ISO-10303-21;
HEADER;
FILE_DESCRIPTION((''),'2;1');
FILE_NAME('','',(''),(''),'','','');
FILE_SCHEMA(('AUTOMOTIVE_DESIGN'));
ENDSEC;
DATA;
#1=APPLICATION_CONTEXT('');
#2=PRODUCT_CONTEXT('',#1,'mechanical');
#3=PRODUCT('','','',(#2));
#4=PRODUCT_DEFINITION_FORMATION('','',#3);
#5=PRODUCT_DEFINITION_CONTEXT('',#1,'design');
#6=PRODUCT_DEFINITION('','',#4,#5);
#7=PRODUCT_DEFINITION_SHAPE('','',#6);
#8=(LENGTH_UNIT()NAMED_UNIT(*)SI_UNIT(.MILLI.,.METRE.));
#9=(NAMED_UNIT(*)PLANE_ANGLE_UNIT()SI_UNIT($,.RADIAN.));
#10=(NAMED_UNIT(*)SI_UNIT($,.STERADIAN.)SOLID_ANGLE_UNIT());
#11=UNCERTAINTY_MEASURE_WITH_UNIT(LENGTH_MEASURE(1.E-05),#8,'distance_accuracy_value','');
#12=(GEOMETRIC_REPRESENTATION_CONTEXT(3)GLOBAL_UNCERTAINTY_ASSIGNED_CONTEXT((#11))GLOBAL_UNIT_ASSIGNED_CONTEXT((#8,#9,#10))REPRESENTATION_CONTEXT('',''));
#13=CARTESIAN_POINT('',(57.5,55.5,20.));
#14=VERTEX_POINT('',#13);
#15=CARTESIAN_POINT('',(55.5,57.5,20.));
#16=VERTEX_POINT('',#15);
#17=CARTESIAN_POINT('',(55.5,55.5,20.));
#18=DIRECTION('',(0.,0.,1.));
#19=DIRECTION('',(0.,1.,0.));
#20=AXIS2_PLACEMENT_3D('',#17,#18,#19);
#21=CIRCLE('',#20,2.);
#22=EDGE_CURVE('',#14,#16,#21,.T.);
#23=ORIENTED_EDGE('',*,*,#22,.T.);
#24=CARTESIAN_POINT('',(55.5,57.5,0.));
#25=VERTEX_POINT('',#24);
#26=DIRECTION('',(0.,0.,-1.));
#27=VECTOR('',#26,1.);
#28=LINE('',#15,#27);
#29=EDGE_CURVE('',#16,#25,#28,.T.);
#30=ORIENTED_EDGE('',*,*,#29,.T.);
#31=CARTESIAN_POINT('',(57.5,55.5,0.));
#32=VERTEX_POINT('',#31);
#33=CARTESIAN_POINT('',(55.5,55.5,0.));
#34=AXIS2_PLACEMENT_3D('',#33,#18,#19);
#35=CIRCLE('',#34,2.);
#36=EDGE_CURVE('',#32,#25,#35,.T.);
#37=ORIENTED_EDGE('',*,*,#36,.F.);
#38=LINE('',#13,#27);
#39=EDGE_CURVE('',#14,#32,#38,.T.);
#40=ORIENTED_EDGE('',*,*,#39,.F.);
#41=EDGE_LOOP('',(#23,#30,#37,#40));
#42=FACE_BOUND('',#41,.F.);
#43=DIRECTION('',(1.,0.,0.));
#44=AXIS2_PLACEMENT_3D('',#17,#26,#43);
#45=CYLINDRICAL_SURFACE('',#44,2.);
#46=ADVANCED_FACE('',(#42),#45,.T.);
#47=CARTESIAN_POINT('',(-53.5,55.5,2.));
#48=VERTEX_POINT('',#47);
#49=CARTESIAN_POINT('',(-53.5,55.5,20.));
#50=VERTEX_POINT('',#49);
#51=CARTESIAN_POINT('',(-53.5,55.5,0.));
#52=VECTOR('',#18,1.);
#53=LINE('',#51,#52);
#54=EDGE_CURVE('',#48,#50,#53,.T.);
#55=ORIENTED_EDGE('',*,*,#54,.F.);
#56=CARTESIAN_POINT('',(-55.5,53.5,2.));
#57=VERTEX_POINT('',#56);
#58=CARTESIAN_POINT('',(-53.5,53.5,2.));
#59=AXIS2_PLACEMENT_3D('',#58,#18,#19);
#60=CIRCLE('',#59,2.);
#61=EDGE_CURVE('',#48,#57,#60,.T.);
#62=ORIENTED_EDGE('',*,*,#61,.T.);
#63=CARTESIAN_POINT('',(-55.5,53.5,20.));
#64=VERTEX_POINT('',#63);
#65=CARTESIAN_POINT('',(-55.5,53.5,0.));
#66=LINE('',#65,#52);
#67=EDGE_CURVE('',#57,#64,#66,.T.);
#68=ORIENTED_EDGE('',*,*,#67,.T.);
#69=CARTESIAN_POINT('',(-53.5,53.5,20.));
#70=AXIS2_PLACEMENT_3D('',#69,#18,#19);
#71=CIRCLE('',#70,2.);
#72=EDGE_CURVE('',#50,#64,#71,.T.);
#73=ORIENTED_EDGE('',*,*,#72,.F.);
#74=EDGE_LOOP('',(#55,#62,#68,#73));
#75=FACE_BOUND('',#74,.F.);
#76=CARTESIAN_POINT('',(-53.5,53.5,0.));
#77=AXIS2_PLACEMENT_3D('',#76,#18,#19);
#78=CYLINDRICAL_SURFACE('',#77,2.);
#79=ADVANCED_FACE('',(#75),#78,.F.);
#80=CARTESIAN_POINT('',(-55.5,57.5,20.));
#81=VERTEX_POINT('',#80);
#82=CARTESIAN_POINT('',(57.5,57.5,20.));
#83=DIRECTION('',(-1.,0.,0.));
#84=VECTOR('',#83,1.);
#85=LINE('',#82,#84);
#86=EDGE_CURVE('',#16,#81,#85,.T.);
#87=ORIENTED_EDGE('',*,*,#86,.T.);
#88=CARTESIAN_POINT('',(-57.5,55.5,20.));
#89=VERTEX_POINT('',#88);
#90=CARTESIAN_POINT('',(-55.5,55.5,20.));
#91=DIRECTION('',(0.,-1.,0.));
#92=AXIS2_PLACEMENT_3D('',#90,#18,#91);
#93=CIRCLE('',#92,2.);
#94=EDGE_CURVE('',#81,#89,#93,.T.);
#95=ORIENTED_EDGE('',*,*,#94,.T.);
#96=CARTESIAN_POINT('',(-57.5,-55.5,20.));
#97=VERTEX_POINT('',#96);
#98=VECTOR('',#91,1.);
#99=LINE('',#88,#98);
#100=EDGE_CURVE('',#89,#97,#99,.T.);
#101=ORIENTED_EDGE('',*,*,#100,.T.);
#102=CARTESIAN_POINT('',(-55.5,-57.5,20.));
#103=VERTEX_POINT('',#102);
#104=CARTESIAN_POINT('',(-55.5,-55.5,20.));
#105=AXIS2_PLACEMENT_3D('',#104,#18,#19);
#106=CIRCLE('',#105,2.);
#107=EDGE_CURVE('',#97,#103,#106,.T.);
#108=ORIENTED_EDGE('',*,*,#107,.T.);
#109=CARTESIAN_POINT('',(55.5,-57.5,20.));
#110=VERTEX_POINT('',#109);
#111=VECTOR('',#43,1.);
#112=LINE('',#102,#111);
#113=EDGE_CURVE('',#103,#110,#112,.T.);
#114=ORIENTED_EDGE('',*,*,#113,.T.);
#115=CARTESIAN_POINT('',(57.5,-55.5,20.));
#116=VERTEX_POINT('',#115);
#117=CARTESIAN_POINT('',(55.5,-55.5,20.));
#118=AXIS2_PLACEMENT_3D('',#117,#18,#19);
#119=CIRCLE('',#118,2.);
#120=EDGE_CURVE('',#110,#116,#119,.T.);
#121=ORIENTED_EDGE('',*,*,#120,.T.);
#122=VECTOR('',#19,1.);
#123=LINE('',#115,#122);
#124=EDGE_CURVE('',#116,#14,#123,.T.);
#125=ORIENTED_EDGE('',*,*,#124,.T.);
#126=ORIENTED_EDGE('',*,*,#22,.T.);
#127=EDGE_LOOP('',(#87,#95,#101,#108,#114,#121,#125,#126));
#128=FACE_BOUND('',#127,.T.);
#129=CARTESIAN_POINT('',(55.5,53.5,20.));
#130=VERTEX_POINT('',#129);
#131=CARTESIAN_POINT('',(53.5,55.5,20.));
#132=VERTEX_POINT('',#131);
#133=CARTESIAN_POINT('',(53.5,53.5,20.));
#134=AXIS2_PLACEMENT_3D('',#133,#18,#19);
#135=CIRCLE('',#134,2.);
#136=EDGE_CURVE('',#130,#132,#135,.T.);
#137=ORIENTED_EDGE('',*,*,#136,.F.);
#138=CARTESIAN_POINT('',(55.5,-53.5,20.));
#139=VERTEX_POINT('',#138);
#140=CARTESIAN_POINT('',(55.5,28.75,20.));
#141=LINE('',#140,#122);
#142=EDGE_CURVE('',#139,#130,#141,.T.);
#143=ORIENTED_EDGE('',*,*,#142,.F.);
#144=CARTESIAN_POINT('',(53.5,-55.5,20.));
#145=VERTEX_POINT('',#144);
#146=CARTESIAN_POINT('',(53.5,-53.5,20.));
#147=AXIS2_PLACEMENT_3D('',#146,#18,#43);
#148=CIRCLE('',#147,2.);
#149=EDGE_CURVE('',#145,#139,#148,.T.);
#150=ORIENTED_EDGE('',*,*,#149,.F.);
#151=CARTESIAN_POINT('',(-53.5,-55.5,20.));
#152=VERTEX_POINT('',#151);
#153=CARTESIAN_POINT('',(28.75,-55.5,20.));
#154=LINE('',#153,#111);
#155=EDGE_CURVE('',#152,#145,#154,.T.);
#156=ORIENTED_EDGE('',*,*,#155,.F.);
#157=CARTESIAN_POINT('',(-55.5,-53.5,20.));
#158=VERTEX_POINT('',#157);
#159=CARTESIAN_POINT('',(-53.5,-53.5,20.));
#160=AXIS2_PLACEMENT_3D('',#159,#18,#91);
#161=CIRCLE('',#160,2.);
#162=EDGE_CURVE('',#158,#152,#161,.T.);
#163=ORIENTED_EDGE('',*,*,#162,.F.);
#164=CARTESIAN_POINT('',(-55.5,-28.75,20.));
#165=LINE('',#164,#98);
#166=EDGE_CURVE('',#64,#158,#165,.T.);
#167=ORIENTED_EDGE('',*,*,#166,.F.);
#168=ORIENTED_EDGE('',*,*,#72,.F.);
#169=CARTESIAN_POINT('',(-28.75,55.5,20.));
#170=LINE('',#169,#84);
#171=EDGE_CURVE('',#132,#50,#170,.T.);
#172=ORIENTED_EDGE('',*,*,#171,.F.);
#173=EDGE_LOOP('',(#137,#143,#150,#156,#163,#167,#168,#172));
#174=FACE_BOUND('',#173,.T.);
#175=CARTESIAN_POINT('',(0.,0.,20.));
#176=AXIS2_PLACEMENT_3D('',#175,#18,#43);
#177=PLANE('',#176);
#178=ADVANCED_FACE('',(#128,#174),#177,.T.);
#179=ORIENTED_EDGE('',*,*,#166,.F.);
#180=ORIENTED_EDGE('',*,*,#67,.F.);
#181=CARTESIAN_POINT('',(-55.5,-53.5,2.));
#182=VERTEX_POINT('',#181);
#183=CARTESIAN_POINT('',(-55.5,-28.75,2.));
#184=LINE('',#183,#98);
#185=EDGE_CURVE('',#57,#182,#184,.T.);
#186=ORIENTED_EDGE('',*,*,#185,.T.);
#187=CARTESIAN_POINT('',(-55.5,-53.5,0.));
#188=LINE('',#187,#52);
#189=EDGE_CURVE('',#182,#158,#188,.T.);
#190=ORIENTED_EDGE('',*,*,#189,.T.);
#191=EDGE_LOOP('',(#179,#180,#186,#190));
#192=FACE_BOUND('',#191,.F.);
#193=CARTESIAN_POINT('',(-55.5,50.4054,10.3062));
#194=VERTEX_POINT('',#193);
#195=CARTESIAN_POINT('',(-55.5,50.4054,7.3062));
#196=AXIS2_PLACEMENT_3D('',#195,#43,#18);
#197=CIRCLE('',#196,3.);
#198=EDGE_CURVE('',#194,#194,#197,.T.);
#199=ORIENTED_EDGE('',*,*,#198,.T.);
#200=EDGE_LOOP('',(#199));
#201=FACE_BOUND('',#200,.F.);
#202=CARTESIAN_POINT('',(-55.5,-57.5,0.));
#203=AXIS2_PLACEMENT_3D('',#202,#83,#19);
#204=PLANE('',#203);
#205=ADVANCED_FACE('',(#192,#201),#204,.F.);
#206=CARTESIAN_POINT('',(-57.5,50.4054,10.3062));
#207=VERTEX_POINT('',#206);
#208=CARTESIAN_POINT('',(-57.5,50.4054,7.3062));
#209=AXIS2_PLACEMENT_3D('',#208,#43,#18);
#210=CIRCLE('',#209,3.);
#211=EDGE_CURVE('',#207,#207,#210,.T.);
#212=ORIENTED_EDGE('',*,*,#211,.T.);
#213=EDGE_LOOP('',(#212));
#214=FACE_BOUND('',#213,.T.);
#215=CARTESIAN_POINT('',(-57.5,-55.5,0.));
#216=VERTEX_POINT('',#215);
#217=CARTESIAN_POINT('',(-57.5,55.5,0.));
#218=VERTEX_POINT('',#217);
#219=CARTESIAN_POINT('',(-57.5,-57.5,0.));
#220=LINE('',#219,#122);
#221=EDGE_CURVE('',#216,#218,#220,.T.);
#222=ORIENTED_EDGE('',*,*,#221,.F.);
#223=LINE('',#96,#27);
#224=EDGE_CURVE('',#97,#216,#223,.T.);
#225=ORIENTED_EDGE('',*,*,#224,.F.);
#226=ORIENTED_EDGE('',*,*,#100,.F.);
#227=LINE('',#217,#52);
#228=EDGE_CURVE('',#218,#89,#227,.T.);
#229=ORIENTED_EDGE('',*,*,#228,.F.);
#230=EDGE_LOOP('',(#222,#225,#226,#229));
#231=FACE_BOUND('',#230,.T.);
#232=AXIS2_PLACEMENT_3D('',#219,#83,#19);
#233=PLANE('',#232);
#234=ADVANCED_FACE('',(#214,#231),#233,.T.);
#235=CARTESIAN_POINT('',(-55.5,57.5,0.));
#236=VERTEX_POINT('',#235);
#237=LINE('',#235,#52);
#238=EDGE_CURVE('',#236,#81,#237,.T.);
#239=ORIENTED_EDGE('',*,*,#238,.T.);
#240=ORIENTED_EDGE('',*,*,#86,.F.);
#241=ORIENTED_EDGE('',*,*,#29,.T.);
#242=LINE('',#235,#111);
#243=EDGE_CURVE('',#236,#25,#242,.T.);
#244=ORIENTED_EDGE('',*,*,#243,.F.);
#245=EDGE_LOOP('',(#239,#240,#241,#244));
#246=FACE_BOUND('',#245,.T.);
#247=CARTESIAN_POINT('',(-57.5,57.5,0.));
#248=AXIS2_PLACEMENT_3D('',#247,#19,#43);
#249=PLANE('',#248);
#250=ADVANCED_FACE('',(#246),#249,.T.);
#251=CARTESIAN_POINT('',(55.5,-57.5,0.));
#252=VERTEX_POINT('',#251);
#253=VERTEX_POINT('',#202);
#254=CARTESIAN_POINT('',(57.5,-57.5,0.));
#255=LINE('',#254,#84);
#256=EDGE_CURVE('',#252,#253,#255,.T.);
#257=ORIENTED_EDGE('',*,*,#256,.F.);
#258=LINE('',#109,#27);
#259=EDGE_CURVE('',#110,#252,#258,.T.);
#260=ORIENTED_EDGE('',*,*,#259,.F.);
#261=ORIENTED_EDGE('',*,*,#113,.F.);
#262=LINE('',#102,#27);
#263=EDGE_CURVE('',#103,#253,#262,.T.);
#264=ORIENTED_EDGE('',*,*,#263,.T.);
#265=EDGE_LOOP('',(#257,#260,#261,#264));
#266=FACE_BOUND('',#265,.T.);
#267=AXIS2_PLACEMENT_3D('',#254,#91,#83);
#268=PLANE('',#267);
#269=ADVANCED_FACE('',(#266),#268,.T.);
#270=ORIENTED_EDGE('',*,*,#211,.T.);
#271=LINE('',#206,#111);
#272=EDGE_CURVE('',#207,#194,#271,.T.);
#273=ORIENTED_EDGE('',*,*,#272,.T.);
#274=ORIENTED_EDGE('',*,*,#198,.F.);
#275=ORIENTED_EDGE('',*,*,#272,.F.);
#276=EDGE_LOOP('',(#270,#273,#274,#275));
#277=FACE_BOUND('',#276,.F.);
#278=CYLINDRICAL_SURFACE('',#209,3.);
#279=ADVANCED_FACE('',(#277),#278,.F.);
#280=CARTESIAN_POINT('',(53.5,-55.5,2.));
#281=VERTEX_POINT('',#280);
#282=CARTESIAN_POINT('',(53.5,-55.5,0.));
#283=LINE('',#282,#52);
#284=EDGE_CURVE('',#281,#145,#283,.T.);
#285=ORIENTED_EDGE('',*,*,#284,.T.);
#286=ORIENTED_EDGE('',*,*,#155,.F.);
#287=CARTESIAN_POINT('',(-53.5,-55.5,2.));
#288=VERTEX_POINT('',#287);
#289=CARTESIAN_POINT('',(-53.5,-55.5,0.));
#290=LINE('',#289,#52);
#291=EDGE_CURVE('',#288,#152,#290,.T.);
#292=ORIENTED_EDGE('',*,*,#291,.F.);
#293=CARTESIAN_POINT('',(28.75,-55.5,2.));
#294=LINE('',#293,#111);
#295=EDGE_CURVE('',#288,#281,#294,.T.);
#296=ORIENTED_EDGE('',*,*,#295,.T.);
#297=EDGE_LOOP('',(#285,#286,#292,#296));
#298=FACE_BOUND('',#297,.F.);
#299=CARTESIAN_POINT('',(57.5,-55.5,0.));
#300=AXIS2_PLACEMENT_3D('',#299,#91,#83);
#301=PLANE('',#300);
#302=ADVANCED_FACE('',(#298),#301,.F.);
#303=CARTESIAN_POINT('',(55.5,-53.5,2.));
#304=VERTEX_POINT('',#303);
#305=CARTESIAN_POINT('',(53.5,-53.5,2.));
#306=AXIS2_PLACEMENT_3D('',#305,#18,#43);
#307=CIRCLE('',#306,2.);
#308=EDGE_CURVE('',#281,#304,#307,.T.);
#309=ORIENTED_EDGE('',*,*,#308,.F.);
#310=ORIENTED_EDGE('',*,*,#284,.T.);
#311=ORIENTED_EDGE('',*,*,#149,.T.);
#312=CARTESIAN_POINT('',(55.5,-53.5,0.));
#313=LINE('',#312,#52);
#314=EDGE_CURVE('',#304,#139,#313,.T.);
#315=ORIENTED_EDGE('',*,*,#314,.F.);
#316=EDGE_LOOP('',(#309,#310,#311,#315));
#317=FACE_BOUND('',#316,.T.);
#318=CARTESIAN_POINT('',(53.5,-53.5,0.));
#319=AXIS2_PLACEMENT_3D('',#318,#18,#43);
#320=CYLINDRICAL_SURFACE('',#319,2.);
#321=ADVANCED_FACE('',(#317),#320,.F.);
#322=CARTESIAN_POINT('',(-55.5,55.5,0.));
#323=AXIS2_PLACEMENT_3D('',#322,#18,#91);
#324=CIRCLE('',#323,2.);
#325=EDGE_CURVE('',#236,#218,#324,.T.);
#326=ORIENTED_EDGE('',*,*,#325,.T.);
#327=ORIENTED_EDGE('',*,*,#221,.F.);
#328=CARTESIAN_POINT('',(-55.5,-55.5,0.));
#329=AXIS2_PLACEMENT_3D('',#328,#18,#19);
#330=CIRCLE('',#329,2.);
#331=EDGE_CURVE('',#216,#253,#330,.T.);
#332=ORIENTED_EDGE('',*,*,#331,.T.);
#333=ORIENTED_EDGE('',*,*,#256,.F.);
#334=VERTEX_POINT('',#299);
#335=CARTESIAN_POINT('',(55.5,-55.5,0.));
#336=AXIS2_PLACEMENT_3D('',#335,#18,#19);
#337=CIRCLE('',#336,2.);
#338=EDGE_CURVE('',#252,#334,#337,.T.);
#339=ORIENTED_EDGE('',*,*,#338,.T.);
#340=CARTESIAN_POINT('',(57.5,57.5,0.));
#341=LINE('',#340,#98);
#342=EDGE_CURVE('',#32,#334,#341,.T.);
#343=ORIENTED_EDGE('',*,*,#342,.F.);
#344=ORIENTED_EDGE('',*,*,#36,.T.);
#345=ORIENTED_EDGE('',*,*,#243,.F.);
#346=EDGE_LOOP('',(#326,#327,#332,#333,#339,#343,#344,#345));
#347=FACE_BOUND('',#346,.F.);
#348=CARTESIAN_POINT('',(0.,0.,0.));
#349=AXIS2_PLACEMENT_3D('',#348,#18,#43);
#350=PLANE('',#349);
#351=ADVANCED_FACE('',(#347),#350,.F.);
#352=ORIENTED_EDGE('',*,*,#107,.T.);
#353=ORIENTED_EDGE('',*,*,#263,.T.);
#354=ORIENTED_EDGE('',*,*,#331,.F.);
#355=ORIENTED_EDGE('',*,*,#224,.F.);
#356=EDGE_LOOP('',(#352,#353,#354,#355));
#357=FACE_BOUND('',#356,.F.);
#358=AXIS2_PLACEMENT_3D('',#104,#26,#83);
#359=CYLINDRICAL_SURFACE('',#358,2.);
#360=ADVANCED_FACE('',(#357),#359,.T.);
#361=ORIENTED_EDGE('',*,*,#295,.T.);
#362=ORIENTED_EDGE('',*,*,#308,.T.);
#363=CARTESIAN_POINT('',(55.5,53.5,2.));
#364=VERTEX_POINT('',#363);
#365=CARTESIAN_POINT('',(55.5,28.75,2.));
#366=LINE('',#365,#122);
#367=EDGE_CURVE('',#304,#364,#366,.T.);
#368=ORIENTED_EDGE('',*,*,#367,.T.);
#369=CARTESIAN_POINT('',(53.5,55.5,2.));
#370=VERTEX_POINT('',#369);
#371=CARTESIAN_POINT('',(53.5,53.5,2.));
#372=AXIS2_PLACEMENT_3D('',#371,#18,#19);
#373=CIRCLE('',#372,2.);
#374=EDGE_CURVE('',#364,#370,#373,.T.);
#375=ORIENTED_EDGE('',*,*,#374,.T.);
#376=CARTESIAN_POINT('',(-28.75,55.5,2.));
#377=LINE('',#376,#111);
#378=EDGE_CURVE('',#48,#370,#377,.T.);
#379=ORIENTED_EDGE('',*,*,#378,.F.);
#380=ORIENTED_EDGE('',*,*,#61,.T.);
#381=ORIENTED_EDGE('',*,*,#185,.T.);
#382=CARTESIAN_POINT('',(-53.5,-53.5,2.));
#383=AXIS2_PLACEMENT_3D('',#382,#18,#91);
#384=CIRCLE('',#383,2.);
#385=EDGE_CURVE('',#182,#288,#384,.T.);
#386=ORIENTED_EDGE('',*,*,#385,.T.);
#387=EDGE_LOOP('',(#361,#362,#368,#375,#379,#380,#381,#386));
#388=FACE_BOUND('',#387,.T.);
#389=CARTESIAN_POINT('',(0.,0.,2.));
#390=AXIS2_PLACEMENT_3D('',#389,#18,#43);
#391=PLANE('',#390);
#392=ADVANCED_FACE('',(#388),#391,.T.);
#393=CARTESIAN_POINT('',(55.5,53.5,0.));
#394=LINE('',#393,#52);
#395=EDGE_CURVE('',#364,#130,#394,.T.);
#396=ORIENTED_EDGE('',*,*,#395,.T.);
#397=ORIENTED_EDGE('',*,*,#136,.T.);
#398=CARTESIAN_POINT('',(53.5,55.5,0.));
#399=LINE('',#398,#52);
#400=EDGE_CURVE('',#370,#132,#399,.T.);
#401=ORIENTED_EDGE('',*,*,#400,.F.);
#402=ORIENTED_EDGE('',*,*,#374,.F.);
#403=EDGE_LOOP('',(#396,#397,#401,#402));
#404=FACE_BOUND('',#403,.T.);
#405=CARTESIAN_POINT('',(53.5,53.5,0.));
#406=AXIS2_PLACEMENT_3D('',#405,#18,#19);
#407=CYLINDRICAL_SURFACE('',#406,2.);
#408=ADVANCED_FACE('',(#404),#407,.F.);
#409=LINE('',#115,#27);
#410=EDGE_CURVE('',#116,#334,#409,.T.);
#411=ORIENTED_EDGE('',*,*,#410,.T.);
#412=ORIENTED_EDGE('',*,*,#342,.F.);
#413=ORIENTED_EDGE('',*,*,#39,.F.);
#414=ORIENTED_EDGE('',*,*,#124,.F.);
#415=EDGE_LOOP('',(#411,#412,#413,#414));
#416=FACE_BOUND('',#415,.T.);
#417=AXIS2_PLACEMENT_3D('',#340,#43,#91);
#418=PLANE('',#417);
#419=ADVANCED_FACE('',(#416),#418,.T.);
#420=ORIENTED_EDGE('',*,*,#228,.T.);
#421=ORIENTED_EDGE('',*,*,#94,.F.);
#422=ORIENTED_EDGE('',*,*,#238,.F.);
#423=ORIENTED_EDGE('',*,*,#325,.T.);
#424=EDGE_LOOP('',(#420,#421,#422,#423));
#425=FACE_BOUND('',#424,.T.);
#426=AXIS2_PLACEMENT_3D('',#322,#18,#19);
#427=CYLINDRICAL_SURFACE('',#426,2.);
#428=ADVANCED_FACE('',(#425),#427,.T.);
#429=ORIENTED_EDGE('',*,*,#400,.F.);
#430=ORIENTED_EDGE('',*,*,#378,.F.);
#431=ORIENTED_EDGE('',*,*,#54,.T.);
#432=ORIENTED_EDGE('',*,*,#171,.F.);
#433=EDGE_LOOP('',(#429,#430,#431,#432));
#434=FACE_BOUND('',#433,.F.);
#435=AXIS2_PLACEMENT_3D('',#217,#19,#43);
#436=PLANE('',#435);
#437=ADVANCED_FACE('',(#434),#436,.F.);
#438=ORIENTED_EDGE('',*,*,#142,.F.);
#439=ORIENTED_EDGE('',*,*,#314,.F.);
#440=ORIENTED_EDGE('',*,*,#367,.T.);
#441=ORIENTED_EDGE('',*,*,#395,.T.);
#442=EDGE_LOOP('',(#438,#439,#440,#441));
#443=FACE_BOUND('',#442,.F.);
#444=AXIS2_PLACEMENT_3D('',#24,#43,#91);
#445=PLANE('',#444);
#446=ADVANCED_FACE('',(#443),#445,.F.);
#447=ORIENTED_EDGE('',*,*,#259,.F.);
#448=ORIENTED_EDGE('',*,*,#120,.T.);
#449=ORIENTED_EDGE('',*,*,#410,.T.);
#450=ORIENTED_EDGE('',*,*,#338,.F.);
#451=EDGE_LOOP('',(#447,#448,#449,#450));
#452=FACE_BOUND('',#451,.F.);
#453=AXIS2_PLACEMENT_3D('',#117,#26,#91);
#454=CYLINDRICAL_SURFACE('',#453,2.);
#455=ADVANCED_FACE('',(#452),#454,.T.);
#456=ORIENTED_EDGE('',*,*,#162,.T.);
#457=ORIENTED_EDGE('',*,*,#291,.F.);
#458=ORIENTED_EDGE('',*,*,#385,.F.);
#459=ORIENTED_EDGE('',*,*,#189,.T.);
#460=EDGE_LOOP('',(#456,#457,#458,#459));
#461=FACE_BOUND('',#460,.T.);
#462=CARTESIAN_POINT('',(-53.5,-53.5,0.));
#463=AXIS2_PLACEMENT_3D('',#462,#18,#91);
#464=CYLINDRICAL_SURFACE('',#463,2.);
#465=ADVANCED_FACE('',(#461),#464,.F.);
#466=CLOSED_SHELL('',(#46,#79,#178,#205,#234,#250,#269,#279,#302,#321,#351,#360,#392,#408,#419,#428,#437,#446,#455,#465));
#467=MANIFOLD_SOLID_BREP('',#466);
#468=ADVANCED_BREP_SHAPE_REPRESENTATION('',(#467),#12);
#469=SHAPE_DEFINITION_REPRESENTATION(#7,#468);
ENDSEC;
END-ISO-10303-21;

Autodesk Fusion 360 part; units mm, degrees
sketch "Esboço1" plane through (0, 0, 0) normal (0, 0, 1) x (1, 0, 0) in component "CASE"
  line L0 (-57.5, 57.5) -> (57.5, 57.5)
  line L1 (57.5, 57.5) -> (57.5, -57.5)
  line L2 (57.5, -57.5) -> (-57.5, -57.5)
  line L3 (-57.5, -57.5) -> (-57.5, 57.5)
  line L4 (-57.5, 57.5) -> (57.5, -57.5) construction
  line L5 (57.5, 57.5) -> (-57.5, -57.5) construction
  dimension "d5" = 115
  dimension "d6" = 115
sketch "Esboço2" plane through (0, 0, 0) normal (1, 0, 0) x (0, 1, 0) in component "CASE"
extrude "Extrusão1" add sketch "Esboço1" along normal blind 20 in component "CASE"
fillet "Arredondamento1" radius 4 4 edges at (57.5, -57.5, 10) (57.5, 57.5, 10) (-57.5, 57.5, 10) (-57.5, -57.5, 10) in component "CASE"
shell "Casca1" thickness 2 removed faces 1 at (-17.8333, -16.5, 20) in component "CASE"
delete_face "Excluir face1" 1 faces at (-55.3329, 57.0553, 6.6667) in component "CASE"
hole "Furo1" at (-57.5, 50.4054, 7.3062) direction (1, 0, 0) diameter 6 depth 4 tip angle 118 in component "CASE"
fillet "Arredondamento2" radius 2 1 edges at (-57.5, 57.5, 10) in component "CASE"
delete_face "Excluir face2" 1 faces at (-57.4955, -53.6903, 6.6667) in component "CASE"
fillet "Arredondamento3" radius 2 1 edges at (-57.5, -57.5, 10) in component "CASE"
delete_face "Excluir face3" 1 faces at (53.6903, -57.4955, 6.6667) in component "CASE"
fillet "Arredondamento4" radius 2 1 edges at (57.5, -57.5, 10) in component "CASE"
delete_face "Excluir face4" 1 faces at (55.3329, 57.0553, 6.6667) in component "CASE"
fillet "Arredondamento5" radius 2 1 edges at (57.5, 57.5, 10) in component "CASE"
component "CASE" placed x (1, 0, 0) y (0, 1, 0) z (0, 0, 1) at (0, 0, 0)
equation "COMPRIMENTO = 115 mm"
equation "ALTURA = 20 mm"
equation "SHELL = 2 mm"
equation "GAP = 0.2 mm"
equation "d5 = COMPRIMENTO"
equation "d6 = COMPRIMENTO"
equation "d7 = ALTURA"
equation "d11 = SHELL"
